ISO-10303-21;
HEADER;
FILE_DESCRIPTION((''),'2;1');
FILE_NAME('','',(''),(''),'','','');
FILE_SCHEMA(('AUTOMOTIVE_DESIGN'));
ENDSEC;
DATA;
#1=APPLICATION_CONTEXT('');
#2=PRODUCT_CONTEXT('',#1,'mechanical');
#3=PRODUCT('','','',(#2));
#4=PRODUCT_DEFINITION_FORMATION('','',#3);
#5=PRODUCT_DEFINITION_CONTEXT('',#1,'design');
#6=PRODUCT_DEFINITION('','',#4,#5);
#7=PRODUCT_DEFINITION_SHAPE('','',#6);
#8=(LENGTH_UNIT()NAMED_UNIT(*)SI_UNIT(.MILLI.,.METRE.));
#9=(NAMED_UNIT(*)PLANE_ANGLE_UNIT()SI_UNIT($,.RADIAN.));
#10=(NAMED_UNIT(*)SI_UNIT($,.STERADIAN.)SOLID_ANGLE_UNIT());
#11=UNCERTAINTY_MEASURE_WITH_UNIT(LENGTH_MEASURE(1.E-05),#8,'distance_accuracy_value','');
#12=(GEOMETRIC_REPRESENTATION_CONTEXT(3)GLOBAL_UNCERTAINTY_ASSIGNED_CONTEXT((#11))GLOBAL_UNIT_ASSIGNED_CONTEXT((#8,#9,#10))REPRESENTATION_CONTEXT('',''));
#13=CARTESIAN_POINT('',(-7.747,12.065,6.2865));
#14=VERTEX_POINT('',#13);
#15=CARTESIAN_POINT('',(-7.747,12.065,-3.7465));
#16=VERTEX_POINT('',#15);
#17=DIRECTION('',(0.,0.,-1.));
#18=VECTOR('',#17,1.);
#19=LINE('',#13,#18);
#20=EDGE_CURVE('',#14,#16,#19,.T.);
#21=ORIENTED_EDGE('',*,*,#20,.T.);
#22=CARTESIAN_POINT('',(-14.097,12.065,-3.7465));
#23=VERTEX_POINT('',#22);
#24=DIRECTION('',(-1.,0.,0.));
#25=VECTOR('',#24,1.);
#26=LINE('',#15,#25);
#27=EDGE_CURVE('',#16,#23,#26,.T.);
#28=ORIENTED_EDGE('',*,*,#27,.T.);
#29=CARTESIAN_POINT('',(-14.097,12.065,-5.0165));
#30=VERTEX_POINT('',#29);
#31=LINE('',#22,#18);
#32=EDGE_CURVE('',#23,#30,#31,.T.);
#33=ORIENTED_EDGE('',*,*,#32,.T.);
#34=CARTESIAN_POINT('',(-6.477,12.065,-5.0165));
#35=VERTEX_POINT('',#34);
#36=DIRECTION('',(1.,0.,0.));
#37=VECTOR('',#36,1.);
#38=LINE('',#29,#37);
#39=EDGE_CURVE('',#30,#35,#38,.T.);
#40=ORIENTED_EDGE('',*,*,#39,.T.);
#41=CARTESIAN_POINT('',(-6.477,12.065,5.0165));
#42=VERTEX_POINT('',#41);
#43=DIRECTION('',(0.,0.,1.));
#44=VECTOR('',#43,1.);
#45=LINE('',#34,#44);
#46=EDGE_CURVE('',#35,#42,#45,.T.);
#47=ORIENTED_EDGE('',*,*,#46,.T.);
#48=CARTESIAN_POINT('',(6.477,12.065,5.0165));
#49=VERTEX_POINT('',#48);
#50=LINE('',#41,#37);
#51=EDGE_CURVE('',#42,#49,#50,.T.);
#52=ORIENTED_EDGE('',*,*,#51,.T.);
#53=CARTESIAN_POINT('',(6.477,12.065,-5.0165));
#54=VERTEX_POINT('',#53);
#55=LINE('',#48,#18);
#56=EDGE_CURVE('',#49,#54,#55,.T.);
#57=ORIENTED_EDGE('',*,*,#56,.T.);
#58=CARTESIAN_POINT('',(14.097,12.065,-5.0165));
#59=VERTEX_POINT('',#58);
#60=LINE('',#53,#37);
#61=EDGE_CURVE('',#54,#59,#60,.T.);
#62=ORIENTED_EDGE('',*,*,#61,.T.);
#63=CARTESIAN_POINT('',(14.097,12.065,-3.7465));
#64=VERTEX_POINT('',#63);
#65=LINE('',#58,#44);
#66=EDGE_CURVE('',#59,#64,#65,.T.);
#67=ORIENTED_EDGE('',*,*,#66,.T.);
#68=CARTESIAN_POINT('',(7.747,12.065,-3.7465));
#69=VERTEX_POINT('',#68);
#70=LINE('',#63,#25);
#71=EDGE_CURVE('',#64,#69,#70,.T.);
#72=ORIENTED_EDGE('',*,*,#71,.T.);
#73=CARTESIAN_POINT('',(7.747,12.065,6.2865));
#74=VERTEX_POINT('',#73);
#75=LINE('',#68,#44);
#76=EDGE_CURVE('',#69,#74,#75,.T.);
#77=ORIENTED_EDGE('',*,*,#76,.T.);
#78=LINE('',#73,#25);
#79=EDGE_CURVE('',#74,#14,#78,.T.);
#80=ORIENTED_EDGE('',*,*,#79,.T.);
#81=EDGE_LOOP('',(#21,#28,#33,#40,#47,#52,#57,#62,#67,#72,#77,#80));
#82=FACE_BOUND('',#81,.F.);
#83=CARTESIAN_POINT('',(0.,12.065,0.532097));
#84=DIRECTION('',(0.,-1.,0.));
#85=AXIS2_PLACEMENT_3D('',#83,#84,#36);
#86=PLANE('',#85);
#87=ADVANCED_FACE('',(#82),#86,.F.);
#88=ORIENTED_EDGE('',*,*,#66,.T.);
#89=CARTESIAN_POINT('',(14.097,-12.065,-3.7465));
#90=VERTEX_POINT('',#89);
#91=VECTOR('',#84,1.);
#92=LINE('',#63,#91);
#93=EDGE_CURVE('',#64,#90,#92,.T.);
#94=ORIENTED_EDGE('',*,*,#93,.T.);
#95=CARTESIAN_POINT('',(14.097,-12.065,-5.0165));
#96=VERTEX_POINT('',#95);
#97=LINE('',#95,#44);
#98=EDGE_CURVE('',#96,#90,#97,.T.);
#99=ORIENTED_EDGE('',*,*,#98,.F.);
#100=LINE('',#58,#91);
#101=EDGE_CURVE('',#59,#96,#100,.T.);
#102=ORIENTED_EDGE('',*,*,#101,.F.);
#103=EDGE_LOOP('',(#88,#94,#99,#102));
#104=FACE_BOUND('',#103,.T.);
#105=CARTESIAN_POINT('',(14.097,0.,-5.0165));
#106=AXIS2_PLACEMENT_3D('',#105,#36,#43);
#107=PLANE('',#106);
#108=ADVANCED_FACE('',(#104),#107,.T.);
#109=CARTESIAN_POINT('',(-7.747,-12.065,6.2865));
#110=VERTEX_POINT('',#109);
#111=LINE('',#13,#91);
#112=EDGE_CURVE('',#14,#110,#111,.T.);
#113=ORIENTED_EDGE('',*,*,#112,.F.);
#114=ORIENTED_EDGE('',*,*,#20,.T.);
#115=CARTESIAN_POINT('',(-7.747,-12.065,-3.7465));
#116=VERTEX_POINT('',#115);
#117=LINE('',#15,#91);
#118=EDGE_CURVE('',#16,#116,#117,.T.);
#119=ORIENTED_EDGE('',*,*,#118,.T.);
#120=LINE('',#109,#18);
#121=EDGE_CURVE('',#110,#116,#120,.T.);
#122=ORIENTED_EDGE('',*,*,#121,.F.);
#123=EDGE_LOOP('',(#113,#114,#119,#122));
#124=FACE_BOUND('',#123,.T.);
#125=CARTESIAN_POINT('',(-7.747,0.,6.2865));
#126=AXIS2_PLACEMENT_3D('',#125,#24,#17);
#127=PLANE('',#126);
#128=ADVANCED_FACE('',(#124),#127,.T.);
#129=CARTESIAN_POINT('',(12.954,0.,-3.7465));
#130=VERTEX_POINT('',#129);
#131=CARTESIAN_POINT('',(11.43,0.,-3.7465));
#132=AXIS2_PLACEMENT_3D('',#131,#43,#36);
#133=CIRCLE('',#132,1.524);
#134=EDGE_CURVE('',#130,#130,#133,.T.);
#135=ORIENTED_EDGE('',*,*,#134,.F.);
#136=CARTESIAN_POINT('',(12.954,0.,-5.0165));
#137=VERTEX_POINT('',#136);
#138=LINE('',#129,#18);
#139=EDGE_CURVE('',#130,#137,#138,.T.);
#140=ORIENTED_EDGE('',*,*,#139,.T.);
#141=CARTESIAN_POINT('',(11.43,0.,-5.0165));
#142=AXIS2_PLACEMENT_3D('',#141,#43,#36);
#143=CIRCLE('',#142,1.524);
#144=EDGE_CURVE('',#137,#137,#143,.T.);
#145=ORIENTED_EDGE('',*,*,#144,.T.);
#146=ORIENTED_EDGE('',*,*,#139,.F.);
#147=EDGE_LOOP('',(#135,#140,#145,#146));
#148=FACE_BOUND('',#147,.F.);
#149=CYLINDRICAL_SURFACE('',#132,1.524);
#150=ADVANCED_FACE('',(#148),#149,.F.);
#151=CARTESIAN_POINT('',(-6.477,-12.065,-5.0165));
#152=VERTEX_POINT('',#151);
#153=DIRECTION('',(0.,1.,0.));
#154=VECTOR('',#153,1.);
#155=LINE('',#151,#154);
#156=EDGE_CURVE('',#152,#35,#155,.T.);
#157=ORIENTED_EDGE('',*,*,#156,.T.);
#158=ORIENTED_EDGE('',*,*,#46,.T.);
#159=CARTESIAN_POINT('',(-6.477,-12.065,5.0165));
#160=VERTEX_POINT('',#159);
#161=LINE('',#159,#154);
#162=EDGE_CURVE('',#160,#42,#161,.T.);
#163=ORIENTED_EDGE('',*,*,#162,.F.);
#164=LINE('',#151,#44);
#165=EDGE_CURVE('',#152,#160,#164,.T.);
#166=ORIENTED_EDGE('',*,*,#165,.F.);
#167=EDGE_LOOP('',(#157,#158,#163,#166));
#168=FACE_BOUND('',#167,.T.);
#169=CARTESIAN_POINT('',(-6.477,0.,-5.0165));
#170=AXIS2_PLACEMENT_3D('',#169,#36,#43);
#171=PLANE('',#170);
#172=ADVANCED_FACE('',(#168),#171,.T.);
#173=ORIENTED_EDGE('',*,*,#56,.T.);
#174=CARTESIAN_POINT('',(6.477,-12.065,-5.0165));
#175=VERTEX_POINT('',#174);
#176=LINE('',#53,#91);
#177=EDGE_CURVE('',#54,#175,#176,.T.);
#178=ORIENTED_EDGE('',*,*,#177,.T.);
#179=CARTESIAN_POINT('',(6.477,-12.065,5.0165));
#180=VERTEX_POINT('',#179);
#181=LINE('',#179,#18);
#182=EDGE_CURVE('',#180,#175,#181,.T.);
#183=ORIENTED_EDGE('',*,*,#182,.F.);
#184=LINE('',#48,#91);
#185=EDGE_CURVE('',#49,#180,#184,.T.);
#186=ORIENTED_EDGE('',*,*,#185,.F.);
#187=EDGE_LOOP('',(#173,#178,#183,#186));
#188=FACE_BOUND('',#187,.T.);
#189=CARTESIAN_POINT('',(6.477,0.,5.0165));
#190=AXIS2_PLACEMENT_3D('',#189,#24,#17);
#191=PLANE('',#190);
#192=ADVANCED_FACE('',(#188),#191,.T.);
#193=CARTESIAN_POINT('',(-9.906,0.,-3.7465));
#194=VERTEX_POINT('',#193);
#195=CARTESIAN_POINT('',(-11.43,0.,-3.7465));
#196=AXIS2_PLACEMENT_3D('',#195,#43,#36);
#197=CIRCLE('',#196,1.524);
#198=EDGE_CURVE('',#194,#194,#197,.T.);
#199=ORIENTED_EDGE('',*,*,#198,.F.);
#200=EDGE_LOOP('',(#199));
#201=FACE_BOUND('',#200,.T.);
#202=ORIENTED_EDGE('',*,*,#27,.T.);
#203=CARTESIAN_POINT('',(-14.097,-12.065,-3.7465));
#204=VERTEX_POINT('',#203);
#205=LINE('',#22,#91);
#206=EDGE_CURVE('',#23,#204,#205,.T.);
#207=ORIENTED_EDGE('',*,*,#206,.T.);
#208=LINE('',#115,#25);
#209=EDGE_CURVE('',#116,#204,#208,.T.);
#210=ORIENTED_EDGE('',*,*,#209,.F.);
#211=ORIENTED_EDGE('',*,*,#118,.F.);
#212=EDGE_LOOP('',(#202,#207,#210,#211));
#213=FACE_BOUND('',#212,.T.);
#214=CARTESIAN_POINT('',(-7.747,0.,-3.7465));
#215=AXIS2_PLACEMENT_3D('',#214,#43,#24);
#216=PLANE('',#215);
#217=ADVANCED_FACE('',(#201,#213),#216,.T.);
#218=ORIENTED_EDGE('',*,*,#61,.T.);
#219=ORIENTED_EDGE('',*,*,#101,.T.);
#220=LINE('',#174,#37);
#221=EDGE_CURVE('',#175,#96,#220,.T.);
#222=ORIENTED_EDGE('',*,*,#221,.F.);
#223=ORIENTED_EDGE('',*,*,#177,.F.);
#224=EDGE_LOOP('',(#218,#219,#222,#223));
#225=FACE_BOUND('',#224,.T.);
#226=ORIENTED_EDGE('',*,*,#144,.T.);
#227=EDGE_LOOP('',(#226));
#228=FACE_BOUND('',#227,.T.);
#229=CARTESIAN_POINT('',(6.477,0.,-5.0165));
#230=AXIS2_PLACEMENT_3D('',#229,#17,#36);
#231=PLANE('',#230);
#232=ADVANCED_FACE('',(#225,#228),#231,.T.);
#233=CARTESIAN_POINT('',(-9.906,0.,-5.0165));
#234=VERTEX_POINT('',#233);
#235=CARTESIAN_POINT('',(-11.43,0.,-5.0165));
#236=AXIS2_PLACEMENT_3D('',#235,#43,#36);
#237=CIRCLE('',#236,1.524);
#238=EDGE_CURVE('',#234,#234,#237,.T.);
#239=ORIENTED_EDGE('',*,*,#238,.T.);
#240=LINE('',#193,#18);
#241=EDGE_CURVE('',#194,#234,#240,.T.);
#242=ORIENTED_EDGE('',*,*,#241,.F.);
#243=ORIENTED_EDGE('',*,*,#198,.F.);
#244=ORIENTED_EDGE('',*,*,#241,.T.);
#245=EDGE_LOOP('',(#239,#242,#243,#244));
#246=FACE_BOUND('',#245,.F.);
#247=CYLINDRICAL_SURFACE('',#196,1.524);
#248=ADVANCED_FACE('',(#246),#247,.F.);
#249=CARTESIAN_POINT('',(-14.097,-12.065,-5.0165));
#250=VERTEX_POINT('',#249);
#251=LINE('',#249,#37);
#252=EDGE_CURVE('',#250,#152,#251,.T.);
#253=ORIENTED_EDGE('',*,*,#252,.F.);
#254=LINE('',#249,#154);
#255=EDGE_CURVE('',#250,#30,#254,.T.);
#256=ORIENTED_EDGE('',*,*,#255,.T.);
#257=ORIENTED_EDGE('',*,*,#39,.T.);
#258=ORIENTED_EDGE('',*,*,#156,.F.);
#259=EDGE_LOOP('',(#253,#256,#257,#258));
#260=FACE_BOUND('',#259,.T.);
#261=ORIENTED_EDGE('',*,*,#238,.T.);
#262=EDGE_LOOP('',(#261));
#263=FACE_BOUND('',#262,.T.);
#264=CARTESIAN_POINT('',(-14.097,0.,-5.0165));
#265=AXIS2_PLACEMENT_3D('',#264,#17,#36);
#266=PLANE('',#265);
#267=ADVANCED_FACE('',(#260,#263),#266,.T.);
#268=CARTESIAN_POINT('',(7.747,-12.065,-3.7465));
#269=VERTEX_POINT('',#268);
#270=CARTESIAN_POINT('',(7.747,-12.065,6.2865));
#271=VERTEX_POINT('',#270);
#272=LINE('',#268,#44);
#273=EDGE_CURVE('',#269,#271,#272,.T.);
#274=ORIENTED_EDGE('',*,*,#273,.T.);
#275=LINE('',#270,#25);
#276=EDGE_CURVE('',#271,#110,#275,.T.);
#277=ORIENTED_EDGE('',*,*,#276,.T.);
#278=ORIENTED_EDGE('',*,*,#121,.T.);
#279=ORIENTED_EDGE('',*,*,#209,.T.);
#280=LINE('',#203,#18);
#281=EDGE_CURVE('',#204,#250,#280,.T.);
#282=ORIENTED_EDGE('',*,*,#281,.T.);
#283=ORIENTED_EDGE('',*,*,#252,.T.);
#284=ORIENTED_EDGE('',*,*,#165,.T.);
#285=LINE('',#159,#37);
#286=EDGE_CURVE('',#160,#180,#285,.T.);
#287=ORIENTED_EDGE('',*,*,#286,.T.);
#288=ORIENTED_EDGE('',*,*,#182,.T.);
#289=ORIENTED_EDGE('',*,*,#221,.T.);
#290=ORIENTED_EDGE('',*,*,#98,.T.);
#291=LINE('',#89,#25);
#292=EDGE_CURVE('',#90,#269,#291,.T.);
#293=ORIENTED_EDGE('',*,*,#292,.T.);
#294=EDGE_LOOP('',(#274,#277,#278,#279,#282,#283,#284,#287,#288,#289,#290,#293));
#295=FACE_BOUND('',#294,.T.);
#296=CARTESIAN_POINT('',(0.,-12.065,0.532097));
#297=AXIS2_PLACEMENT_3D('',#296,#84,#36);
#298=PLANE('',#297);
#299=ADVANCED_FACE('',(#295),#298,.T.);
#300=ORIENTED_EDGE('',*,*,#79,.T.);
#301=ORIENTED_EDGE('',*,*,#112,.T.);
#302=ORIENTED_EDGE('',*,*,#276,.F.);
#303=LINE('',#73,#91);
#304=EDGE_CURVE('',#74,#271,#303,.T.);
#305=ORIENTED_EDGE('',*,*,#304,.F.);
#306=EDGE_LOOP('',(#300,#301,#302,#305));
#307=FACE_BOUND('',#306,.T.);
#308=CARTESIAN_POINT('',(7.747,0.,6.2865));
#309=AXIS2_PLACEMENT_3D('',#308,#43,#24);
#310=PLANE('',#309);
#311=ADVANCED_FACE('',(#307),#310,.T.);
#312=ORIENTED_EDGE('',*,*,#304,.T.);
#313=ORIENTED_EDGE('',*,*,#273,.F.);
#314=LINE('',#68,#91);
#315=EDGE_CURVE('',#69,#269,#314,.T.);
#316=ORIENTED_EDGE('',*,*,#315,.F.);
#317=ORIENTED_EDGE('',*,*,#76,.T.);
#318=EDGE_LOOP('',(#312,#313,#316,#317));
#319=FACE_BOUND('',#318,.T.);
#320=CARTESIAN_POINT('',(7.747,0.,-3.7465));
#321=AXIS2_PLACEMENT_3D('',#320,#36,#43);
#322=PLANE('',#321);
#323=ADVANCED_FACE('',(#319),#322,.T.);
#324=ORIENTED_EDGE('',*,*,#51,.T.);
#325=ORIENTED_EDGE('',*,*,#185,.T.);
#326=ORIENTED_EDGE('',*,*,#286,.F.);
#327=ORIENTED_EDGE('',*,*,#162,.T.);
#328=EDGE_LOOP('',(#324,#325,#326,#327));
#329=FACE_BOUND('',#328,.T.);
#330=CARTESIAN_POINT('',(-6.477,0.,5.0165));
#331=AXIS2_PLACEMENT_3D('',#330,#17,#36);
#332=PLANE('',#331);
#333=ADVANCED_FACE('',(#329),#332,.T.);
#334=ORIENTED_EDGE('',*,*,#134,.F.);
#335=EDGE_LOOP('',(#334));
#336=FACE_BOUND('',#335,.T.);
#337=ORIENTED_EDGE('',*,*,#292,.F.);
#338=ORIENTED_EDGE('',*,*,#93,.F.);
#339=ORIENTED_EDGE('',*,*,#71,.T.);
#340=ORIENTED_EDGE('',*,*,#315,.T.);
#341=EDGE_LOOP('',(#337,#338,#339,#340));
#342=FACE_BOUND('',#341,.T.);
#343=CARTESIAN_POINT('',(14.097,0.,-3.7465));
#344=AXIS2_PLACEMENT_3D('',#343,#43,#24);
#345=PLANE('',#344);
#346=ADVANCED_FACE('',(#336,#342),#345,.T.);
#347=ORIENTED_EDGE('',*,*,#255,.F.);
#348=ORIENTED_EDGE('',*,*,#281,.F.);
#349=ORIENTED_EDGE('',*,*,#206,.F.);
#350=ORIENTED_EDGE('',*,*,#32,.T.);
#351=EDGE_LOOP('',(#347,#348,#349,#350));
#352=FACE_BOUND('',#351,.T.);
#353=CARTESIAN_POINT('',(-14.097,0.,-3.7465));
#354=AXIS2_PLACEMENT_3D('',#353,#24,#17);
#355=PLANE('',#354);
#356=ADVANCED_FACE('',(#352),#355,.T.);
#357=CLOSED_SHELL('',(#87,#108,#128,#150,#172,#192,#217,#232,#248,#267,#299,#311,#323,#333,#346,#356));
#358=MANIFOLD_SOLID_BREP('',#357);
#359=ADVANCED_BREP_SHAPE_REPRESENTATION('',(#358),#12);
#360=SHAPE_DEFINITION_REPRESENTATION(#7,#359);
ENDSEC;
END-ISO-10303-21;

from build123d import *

# Parameters (mm, degrees)
F1_DEPTH = 12.065
F2_R     = 1.524
F3_DEPTH = 1.27


with BuildPart() as f1:
    # F0 (on Front) → F1 (new body, symmetric)
    with BuildSketch(Plane.XZ):
        Polygon((-6.477, 5.0165), (6.477, 5.0165), (6.477, -5.0165), (14.097, -5.0165), (14.097, -3.7465), (7.747, -3.7465), (7.747, 6.2865), (0, 6.2865), (-7.747, 6.2865), (-7.747, -3.7465), (-14.097, -3.7465), (-14.097, -5.0165), (-6.477, -5.0165), align=None)
    extrude(amount=F1_DEPTH, both=True)

    # F2 (on face) → F3 (cut, through all)
    with BuildSketch(Plane.XY.offset(-3.7465)):
        with Locations((-11.43, 0)):
            Circle(F2_R)
        with Locations((11.43, 0)):
            Circle(F2_R)
    extrude(amount=-F3_DEPTH, mode=Mode.SUBTRACT)


solid = f1.part
